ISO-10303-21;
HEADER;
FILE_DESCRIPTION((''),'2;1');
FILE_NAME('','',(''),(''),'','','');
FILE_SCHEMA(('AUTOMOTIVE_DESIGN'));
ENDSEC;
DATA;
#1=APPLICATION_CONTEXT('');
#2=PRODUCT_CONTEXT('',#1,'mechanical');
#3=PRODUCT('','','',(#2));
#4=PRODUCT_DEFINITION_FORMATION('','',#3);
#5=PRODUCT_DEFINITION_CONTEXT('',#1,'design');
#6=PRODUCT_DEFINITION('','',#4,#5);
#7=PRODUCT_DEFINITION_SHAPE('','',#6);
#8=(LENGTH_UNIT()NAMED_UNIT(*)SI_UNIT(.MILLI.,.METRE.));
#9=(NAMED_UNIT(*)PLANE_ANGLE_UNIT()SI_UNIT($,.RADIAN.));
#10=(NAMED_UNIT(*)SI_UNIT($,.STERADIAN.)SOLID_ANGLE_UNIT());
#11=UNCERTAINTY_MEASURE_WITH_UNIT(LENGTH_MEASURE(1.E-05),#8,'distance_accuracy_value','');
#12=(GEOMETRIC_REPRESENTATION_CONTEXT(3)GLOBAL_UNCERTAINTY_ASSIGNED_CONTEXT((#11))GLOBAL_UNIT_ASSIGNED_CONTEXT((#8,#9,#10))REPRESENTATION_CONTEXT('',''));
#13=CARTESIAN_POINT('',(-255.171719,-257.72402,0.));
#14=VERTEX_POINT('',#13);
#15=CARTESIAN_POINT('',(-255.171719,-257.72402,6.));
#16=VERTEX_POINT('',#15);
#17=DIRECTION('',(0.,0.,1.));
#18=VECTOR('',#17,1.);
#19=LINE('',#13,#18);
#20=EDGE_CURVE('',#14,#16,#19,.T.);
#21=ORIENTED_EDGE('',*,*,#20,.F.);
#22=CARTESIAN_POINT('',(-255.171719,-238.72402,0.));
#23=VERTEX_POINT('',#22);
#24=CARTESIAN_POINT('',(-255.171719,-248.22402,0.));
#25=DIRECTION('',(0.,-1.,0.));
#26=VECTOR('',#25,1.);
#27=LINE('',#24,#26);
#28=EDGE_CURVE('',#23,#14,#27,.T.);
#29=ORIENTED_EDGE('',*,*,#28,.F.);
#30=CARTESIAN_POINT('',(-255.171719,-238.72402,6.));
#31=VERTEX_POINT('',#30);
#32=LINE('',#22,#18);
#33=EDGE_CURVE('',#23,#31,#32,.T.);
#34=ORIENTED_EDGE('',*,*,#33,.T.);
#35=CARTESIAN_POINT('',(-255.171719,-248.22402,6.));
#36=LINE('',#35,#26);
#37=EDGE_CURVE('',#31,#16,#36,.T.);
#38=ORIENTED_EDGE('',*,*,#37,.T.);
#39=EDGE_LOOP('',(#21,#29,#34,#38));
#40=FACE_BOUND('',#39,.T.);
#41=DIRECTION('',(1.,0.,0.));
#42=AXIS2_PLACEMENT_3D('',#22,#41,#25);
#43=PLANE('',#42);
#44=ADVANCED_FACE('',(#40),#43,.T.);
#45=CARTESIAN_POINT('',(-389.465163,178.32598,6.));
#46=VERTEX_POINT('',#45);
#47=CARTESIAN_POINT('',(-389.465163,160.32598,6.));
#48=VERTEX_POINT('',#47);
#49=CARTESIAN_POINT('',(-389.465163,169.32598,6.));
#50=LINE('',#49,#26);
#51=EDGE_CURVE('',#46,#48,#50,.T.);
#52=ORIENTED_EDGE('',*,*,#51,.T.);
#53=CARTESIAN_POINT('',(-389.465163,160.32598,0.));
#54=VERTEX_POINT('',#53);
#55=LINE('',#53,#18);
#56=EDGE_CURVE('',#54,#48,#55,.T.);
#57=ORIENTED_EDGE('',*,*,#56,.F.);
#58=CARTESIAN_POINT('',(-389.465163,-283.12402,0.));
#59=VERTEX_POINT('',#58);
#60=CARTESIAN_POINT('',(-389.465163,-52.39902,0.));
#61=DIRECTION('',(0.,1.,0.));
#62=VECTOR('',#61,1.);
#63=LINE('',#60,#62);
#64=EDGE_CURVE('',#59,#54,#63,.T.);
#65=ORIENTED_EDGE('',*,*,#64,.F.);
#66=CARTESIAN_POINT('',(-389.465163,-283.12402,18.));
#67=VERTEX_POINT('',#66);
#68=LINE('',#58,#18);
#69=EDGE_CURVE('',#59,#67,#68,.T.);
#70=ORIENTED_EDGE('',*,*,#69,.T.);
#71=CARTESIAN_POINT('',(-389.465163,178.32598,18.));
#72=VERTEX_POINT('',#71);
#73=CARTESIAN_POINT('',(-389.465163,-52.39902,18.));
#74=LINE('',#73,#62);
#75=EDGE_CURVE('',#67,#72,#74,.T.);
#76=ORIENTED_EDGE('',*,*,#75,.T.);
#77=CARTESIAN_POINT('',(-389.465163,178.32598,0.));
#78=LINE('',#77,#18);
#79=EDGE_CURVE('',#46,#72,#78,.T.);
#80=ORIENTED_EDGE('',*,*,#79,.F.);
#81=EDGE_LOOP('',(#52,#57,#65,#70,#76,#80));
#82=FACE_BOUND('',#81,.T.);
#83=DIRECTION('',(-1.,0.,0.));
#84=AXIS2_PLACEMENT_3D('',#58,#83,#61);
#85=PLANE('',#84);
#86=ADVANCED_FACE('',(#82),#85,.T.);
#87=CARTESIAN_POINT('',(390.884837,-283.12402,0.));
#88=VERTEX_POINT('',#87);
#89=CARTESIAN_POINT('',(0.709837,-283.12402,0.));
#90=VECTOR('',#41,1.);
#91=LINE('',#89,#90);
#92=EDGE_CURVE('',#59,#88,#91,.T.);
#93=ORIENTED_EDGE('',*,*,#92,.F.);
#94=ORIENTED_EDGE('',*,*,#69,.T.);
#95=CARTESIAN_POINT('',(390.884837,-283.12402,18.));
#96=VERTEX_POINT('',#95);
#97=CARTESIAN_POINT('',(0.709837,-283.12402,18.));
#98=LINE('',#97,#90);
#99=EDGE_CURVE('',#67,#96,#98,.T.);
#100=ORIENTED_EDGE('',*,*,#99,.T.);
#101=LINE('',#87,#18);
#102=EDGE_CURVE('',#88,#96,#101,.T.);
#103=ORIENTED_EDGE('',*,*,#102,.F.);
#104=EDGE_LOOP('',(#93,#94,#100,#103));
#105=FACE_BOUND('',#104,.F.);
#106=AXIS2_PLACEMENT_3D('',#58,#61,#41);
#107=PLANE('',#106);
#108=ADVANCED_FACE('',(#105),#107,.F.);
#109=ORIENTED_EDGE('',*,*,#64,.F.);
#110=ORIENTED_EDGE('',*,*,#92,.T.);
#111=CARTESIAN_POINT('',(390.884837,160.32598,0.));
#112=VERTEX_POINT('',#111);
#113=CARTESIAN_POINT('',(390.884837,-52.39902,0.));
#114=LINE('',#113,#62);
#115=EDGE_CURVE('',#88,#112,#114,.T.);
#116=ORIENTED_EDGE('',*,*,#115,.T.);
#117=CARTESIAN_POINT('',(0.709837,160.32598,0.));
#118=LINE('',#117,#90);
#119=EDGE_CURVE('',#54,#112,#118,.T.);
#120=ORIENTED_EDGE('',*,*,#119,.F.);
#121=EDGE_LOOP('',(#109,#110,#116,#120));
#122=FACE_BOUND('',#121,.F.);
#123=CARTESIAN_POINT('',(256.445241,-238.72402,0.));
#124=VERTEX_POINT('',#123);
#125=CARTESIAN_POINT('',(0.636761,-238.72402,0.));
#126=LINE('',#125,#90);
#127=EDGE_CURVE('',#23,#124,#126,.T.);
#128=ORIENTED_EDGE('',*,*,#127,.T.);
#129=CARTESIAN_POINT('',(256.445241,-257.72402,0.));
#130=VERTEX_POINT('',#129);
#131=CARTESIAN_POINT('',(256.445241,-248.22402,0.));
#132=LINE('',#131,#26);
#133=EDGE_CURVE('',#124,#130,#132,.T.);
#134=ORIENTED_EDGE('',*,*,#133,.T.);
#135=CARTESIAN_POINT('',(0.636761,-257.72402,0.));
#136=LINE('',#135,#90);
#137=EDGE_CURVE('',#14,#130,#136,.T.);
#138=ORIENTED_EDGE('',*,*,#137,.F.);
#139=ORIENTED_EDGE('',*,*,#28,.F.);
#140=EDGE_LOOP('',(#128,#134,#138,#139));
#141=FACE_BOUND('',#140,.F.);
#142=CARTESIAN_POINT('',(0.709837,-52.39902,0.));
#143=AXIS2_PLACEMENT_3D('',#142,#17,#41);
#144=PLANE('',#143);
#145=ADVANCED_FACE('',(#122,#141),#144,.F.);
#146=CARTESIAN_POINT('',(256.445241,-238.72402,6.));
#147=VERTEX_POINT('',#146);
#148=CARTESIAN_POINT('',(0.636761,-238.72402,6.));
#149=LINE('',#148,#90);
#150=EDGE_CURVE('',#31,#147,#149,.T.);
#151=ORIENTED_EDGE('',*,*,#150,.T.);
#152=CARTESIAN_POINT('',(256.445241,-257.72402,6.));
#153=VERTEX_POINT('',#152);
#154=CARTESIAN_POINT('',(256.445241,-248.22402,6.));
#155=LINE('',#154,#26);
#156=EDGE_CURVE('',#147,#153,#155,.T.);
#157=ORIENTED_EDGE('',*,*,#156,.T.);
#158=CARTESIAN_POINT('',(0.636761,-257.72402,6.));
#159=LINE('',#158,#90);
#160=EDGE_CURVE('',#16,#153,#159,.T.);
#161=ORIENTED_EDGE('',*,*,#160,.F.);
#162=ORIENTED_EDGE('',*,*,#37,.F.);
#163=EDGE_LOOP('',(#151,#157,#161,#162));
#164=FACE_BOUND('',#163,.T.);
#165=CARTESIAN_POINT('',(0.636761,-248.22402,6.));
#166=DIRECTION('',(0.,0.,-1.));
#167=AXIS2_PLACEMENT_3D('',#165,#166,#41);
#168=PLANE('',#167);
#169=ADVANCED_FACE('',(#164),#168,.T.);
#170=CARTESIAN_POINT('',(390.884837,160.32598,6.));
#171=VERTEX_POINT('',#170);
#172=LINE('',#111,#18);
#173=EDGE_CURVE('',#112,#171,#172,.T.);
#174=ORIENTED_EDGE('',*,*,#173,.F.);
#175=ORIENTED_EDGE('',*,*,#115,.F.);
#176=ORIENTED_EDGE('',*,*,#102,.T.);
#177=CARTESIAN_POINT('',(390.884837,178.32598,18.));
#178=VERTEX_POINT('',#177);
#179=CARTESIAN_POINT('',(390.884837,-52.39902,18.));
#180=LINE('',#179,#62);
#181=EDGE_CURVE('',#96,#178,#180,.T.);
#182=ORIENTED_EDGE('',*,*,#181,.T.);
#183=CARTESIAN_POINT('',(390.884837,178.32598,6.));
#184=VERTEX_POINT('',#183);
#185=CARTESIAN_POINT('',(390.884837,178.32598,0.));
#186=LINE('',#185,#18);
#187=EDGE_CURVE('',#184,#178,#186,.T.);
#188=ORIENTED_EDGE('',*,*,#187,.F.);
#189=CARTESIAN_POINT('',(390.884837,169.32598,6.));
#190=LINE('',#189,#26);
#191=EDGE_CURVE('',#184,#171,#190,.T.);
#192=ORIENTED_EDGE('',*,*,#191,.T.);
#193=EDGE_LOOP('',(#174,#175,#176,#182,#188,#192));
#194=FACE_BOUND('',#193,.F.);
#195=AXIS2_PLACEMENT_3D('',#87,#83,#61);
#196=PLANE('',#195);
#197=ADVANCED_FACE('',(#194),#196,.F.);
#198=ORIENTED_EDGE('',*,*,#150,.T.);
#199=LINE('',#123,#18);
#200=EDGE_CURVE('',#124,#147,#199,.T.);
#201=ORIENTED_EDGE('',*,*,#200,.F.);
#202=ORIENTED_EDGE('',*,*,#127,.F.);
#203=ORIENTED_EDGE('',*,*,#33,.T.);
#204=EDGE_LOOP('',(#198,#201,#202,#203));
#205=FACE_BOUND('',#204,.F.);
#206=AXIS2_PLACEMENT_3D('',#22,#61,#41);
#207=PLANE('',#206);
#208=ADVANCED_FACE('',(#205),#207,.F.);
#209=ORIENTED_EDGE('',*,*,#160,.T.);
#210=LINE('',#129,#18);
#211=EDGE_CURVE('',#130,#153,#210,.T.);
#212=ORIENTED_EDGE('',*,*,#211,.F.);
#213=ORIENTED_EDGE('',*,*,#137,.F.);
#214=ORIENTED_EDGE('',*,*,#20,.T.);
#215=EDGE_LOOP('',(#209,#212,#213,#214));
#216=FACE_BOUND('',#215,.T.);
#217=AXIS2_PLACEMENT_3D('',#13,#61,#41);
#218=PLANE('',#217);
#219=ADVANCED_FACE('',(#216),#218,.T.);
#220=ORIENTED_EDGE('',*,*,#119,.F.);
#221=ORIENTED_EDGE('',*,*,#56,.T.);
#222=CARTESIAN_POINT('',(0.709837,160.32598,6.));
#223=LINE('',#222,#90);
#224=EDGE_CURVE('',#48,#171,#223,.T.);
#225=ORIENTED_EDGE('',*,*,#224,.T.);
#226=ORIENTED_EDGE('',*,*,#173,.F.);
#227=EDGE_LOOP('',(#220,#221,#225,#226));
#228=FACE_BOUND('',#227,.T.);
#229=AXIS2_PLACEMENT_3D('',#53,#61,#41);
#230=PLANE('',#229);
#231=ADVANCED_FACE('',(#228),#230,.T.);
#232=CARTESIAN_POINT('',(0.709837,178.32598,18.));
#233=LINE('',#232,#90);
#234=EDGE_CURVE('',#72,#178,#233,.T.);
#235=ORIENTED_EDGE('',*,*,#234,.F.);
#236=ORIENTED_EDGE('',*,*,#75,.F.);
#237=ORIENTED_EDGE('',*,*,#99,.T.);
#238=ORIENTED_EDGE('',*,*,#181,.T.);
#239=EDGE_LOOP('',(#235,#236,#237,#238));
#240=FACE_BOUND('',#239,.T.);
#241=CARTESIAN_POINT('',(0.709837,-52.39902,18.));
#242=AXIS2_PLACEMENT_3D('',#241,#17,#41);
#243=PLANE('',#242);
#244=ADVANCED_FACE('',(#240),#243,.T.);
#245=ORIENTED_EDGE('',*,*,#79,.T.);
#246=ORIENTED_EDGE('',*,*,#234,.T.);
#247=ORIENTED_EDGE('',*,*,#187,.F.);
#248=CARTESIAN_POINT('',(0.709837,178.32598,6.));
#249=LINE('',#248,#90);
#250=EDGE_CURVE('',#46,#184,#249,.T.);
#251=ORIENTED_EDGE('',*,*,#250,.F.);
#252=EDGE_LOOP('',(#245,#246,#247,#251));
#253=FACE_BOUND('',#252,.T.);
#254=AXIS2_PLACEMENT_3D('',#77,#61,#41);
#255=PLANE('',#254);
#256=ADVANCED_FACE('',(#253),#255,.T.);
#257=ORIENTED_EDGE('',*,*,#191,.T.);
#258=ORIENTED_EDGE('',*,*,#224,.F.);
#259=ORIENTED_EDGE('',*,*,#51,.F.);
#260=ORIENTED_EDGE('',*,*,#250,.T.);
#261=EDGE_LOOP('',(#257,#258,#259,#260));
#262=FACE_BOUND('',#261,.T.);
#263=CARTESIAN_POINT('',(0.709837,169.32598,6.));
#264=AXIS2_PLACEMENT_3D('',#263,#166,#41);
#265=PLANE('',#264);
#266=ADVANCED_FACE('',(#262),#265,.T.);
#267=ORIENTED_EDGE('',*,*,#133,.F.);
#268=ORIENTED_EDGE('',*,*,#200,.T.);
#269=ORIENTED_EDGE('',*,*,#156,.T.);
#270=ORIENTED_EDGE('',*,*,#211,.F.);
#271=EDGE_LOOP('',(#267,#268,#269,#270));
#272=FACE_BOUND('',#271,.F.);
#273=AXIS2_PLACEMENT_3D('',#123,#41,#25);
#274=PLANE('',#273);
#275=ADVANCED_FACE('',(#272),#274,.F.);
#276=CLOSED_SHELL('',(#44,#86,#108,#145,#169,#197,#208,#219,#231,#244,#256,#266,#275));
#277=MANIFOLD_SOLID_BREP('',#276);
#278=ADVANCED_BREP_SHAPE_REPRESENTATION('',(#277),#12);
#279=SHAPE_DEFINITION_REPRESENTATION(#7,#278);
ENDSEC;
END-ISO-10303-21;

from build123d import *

# Parameters (mm, degrees)
F0_W     = 780.35
F0_H     = 461.45
F1_DEPTH = 18
F2_W     = 511.61696
F2_H     = 19
F2_W_2   = 780.35
F2_H_2   = 18
F3_DEPTH = 6


with BuildPart() as f1:
    # F0 (on Top) → F1 (new body)
    with BuildSketch(Plane.XY):
        with Locations((0.709837, -52.39902)):
            Rectangle(F0_W, F0_H)
    extrude(amount=F1_DEPTH)

    # F2 (on face) → F3 (cut)
    with BuildSketch(Plane(origin=(0, 0, 0), x_dir=(1, 0, 0), z_dir=(0, 0, -1))):
        with Locations((0.636761, 248.22402)):
            Rectangle(F2_W, F2_H)
        with Locations((0.709837, -169.32598)):
            Rectangle(F2_W_2, F2_H_2)
    extrude(amount=-F3_DEPTH, mode=Mode.SUBTRACT)


solid = f1.part
